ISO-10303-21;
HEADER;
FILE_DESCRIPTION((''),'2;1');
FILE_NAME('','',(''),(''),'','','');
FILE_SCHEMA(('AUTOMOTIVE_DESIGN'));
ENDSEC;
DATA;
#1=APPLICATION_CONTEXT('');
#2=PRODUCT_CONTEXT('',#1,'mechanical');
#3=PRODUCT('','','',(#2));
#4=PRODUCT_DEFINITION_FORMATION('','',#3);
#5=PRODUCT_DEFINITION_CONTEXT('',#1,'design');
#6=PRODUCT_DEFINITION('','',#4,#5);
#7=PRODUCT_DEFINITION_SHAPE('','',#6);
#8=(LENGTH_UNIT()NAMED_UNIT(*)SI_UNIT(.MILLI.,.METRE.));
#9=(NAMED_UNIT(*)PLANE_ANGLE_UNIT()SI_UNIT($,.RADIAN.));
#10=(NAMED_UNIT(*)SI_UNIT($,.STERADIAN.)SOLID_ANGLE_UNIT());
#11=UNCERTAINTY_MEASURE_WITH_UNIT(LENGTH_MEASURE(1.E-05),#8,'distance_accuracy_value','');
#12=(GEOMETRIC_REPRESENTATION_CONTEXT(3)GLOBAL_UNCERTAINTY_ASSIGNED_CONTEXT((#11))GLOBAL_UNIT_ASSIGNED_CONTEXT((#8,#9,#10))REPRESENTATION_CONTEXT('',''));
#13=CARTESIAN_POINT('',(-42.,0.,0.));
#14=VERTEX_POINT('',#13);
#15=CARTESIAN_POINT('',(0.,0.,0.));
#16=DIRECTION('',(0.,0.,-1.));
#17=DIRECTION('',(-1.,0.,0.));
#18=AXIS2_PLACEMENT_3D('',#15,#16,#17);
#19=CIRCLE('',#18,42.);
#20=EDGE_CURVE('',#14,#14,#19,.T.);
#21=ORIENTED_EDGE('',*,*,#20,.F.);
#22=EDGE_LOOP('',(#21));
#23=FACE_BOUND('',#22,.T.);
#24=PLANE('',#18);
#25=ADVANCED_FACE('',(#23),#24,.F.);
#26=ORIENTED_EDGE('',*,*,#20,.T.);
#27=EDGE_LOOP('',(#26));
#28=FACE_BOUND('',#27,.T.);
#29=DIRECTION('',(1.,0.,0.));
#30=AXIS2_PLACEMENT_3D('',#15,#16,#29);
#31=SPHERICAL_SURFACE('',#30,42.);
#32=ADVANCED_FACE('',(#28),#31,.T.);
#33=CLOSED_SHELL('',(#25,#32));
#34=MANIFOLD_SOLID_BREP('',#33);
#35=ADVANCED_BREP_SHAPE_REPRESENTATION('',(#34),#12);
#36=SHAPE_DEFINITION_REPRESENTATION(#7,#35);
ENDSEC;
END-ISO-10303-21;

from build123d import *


with BuildPart() as part:
    # Sketch1 → Revolve1 (revolve)
    with BuildSketch(Plane(origin=(0, 0, 0), x_dir=(1, 0, 0), z_dir=(0, 1, 0))):
        with BuildLine():
            Line((0, 42), (0, 0))
            Line((0, 0), (42, 0))
            ThreePointArc((42, 0), (29.69848481, 29.69848481), (0, 42))
        make_face()
    revolve(axis=Axis((0, 0, -42), (0, 0, 1)))


solid = part.part
